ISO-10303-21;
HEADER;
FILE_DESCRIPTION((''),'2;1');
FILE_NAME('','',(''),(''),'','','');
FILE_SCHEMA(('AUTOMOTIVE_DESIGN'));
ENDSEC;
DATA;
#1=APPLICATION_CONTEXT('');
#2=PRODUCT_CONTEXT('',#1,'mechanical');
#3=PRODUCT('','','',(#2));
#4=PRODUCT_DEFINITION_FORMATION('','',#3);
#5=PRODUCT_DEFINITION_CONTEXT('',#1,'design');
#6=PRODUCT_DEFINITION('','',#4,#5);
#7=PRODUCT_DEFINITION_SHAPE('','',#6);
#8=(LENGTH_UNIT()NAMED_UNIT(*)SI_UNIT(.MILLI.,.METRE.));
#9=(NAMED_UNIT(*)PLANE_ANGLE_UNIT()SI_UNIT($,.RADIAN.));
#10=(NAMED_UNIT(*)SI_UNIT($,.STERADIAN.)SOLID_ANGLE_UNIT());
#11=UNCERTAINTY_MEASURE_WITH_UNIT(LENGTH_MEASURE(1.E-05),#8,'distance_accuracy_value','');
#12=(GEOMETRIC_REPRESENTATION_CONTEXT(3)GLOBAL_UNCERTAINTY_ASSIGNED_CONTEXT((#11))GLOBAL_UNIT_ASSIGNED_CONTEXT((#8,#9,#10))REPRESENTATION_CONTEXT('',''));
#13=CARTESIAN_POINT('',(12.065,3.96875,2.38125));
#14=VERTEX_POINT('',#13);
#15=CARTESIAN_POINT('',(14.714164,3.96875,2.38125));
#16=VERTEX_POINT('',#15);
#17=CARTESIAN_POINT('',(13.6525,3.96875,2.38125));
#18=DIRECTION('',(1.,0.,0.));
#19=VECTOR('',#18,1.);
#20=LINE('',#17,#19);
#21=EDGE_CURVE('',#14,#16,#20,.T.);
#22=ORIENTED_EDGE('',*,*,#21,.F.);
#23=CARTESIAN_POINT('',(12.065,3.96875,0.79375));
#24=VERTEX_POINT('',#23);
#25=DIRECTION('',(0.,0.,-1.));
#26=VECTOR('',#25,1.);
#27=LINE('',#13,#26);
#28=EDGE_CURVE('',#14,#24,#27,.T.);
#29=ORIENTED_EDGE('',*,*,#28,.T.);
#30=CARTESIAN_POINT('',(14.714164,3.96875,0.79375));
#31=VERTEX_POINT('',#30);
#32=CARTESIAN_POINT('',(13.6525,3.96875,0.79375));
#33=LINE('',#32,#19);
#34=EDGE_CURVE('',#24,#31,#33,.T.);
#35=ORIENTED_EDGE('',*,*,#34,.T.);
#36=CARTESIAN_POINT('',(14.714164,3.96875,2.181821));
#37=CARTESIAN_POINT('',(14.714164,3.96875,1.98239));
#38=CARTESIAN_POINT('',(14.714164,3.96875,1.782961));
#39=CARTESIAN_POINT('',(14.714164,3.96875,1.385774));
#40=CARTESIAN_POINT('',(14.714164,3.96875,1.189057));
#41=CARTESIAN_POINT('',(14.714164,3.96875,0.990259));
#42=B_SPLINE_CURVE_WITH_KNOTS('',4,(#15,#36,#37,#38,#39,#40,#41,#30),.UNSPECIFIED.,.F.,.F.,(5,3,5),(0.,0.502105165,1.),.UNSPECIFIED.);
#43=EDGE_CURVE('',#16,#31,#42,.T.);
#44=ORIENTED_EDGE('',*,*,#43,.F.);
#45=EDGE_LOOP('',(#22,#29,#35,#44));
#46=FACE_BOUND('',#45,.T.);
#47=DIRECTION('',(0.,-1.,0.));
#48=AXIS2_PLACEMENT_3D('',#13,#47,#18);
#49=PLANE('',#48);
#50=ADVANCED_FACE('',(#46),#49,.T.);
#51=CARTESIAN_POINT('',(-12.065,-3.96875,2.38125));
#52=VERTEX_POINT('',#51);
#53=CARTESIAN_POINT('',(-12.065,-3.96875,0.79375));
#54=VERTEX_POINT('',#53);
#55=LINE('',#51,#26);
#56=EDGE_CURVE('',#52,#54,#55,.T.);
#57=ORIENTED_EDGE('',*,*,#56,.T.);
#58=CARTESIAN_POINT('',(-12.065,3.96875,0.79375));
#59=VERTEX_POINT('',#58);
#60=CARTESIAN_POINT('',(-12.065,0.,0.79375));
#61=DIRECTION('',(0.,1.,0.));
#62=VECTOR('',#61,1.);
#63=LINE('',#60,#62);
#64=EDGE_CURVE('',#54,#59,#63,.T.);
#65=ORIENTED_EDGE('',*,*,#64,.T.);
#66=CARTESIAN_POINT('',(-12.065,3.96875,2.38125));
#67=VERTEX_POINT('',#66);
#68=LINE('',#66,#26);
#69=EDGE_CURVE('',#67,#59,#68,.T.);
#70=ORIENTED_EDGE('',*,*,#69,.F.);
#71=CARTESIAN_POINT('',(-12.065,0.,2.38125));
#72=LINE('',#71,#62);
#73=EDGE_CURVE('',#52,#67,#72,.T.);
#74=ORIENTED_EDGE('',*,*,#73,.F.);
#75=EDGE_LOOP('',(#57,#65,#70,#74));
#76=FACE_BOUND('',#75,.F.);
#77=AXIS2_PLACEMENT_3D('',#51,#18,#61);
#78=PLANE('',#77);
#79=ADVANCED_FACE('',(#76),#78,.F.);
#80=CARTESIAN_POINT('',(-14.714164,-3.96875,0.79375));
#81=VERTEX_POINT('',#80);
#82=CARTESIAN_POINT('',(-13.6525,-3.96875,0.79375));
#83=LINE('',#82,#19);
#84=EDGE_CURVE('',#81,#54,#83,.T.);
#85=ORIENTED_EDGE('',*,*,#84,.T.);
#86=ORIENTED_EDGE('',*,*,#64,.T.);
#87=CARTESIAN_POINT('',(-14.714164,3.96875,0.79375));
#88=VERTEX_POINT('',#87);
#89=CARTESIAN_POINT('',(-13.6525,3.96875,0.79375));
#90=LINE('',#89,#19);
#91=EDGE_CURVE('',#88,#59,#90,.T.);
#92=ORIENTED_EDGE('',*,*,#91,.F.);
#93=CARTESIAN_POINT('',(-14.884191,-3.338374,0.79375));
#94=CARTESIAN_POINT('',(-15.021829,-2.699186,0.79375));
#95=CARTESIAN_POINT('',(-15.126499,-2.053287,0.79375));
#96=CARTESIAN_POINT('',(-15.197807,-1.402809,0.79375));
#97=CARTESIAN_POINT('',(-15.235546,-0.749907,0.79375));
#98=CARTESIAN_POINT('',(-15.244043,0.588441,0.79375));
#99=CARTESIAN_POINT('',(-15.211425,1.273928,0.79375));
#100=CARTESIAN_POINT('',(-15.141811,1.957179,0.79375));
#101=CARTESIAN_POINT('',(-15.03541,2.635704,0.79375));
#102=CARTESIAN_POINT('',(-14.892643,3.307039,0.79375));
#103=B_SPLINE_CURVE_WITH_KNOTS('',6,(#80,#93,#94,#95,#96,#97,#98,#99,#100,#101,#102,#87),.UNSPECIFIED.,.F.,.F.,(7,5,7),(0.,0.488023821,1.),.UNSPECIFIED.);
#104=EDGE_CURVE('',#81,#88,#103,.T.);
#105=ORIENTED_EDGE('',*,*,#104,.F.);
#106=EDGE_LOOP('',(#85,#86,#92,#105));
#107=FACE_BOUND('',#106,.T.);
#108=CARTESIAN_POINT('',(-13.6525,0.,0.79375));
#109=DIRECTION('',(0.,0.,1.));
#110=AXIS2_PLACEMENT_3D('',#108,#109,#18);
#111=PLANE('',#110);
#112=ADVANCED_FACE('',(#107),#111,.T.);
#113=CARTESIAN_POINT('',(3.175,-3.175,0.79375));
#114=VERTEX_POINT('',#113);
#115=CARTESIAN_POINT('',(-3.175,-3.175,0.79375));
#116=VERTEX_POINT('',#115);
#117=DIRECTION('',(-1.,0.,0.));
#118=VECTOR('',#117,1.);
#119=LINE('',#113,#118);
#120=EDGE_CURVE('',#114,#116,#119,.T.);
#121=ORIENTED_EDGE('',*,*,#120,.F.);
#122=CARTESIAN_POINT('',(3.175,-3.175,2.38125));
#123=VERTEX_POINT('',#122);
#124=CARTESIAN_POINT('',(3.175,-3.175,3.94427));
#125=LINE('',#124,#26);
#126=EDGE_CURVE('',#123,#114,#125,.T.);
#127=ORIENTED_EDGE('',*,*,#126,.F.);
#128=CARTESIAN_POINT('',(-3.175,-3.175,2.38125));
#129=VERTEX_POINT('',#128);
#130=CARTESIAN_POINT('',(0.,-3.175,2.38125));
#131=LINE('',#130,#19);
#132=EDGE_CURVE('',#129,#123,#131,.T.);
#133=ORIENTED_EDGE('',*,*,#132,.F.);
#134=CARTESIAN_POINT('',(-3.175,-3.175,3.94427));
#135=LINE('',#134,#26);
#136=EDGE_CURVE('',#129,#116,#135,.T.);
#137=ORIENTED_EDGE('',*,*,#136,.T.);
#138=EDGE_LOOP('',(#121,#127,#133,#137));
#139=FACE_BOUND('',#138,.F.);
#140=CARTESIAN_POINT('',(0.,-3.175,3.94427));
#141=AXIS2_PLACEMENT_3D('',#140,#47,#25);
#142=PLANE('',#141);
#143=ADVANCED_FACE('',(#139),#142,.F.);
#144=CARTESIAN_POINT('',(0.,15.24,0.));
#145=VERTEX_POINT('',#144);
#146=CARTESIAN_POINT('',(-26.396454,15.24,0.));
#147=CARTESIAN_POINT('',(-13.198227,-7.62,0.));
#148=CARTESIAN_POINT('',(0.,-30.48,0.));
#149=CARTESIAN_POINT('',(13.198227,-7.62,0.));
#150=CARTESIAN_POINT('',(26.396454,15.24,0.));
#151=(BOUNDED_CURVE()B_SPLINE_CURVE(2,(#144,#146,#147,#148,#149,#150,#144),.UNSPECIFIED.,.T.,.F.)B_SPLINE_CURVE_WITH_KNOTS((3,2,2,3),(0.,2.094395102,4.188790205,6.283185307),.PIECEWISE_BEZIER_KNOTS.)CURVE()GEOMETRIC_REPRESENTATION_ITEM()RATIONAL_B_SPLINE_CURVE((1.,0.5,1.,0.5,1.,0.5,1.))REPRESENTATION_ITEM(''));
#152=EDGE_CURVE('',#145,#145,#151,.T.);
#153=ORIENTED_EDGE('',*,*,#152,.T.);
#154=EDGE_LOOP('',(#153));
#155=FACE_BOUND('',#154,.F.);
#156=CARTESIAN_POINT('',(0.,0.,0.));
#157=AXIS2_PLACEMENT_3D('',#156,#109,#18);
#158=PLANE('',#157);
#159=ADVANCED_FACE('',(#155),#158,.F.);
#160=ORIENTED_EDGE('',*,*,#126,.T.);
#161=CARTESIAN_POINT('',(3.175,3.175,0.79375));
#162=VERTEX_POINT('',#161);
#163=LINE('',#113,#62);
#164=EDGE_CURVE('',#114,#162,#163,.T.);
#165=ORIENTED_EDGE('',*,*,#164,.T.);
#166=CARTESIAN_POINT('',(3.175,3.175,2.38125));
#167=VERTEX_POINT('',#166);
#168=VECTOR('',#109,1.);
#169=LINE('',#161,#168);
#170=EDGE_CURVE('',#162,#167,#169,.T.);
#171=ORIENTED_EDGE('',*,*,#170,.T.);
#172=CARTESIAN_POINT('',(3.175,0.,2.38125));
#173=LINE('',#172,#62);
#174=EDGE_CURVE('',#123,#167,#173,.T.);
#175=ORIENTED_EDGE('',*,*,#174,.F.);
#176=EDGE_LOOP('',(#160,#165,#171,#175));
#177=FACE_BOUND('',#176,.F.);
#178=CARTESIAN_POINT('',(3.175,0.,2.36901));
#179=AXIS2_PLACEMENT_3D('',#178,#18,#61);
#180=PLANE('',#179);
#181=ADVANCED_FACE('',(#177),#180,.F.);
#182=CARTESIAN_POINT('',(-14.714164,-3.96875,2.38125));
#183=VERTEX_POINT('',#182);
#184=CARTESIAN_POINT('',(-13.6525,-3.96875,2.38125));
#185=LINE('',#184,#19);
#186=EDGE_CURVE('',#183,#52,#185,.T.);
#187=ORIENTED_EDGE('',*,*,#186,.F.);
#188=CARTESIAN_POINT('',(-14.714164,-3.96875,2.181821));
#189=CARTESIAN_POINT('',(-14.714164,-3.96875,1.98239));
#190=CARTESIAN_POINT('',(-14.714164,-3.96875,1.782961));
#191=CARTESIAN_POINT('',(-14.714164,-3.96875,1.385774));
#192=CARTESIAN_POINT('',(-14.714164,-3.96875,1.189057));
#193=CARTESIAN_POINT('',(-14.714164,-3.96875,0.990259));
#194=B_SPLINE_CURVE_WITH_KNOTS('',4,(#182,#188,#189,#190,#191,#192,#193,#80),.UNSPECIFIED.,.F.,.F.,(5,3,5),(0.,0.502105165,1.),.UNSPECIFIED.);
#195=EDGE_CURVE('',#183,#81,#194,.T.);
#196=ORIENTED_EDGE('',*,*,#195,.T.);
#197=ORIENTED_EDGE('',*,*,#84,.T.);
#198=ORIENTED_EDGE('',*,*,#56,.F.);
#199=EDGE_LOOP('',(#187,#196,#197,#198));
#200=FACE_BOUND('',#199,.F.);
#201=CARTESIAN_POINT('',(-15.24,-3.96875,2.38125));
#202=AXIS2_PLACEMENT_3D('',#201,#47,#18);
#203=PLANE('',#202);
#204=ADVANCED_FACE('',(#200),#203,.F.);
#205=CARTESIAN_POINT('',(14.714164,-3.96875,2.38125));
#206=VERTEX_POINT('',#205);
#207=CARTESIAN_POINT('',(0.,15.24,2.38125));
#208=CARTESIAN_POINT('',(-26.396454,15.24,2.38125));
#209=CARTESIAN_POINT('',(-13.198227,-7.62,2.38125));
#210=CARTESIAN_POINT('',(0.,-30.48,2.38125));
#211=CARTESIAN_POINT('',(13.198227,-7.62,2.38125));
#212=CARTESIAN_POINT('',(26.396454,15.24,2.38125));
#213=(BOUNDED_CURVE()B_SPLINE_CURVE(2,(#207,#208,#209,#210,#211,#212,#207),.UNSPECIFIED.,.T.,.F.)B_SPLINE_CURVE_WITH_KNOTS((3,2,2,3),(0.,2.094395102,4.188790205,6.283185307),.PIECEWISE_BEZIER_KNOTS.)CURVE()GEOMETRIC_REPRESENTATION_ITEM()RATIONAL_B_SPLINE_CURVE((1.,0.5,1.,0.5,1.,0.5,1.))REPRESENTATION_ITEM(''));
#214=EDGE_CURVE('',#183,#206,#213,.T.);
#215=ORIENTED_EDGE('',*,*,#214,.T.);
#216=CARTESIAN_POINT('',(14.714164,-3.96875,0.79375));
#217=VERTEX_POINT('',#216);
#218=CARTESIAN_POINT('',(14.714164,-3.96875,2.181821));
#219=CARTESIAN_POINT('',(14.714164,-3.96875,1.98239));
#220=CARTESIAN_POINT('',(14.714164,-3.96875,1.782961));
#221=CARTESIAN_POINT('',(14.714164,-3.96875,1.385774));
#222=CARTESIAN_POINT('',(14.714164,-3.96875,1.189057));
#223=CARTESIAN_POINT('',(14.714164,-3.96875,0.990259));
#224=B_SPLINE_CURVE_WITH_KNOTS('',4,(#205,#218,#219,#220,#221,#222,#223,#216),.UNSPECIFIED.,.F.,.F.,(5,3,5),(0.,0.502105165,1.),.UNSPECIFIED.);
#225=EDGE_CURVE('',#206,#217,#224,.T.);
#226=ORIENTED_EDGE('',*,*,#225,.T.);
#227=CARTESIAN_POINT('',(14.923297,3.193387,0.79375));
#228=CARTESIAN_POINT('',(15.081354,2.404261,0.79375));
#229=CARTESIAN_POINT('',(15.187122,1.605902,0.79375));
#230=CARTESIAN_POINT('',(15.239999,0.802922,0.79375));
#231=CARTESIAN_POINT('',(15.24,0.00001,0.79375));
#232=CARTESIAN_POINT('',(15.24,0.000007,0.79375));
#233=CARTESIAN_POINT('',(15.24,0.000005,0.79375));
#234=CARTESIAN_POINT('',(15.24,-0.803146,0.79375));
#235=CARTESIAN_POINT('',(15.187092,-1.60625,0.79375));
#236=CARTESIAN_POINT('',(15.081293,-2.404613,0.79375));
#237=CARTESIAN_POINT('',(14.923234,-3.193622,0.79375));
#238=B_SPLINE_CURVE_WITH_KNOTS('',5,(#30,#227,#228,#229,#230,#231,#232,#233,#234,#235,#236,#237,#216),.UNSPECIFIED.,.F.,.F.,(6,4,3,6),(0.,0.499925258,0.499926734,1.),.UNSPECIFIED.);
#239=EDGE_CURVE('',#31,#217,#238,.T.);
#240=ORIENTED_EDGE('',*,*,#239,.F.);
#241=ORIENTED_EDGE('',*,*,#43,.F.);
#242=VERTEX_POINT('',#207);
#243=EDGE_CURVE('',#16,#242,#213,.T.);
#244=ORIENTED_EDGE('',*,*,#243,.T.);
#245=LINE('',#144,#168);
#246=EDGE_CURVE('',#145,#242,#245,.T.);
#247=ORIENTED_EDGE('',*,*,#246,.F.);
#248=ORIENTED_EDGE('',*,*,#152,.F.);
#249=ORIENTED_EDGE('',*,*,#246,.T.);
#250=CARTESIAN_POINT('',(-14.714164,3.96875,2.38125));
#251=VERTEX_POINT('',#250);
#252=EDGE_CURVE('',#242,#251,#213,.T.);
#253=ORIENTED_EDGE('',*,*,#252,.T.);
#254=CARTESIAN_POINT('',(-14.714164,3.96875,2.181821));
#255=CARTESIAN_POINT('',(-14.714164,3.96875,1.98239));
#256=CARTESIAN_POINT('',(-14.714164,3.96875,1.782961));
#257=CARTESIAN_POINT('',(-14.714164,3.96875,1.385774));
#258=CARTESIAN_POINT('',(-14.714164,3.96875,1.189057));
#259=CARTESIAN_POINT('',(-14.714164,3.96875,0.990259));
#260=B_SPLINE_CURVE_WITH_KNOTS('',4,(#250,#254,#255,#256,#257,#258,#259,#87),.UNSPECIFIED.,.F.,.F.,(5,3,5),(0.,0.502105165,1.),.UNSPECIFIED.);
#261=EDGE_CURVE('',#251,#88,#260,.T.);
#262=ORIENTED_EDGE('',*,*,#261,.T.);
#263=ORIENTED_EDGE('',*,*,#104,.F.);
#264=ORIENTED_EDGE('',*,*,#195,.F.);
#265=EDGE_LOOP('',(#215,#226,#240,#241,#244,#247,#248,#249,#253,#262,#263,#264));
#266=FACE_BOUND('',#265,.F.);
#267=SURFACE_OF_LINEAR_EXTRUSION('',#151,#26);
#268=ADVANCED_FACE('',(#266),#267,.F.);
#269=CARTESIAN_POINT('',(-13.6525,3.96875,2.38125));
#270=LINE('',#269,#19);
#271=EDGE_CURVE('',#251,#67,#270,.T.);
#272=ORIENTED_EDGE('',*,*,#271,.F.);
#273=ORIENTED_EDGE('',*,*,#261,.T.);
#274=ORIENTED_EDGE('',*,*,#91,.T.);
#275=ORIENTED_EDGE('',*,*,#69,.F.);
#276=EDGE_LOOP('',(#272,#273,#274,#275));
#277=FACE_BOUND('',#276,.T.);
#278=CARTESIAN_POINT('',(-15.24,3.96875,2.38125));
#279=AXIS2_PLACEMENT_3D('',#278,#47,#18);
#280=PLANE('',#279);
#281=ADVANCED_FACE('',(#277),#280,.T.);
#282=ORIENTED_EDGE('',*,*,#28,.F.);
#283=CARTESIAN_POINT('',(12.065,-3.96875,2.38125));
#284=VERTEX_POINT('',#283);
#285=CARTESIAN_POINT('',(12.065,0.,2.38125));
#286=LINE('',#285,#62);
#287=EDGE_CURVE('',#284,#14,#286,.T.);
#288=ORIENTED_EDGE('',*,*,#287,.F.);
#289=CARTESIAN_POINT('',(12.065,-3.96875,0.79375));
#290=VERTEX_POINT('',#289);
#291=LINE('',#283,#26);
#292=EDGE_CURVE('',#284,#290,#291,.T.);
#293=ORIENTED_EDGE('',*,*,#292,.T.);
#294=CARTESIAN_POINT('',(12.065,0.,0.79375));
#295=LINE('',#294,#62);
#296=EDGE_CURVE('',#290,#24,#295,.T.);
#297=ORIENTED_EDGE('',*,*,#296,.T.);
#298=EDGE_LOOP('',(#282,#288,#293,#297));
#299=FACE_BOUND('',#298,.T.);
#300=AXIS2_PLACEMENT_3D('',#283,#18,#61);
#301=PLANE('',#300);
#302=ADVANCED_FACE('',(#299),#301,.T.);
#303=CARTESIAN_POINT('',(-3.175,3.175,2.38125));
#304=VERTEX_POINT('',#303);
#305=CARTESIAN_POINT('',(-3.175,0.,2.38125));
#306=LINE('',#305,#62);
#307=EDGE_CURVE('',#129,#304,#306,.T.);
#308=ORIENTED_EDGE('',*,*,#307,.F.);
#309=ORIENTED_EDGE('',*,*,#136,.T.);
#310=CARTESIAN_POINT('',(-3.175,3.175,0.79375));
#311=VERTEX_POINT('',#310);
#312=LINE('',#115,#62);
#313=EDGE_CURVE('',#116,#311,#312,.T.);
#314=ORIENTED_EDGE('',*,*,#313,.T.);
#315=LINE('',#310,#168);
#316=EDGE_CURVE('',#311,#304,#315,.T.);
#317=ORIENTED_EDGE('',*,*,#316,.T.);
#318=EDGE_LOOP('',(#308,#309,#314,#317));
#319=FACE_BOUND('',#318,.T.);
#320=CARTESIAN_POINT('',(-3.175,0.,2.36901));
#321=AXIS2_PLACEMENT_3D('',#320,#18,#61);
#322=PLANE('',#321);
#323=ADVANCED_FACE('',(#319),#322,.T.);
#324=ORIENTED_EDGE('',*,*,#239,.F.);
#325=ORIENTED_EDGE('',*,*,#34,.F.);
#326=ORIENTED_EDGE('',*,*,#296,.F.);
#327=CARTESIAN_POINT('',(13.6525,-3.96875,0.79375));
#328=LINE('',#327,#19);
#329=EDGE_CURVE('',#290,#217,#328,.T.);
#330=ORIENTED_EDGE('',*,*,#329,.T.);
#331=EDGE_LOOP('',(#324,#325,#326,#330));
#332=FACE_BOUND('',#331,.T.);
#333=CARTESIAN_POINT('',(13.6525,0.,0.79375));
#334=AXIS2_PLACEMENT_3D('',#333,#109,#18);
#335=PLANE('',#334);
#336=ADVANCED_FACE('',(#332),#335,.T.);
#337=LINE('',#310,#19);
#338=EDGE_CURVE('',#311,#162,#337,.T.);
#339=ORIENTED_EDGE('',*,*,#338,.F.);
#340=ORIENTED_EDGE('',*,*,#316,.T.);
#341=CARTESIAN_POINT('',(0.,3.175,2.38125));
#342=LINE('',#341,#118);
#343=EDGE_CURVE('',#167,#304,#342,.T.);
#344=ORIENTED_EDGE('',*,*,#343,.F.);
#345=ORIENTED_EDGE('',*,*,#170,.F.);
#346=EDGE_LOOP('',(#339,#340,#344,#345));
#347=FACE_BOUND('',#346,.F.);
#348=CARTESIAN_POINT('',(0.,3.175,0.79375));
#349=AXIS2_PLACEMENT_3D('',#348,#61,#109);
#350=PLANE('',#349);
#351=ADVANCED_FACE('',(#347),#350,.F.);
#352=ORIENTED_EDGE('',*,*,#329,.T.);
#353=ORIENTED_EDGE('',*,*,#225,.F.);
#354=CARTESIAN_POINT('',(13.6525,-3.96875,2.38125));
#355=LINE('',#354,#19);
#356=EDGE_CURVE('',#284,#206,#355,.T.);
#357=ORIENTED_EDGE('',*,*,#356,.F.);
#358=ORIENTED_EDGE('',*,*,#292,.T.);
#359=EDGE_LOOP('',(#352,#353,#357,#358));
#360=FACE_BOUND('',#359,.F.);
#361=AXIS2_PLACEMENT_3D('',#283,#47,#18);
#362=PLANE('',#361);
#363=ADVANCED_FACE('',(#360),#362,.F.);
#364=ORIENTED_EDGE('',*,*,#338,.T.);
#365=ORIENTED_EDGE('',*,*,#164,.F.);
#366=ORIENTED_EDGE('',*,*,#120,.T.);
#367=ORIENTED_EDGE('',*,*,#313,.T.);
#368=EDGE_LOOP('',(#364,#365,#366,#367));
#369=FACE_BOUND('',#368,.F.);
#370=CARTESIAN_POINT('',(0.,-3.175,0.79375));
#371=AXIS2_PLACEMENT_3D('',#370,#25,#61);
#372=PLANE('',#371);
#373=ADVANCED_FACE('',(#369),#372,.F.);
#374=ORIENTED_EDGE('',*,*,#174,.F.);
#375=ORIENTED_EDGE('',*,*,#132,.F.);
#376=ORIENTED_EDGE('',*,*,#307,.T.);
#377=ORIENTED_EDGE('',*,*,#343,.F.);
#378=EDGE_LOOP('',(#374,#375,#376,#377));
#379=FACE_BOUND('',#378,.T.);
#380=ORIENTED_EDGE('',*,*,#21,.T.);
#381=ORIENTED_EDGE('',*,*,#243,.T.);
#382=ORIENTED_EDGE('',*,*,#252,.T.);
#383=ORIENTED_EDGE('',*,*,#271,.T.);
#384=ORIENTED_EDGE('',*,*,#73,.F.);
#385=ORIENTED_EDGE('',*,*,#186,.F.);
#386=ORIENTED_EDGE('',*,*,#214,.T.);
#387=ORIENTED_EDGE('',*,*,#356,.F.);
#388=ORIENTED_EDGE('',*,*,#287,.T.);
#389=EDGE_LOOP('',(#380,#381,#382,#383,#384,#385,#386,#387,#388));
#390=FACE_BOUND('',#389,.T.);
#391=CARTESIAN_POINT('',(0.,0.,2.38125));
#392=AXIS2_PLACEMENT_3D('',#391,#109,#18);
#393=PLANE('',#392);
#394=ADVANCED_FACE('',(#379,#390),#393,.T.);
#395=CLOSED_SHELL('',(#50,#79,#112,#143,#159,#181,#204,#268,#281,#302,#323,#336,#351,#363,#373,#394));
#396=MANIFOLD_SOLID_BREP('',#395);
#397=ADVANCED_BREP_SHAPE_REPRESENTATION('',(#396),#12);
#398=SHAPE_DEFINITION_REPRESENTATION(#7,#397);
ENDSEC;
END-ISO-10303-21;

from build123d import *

# Parameters (mm, degrees)
F1_DEPTH = 2.38125
F3_DEPTH = 3.175
F4_W     = 3.175
F4_H     = 7.9375
F5_DEPTH = 1.5875


with BuildPart() as f1:
    # F0 (on Top) → F1 (new body)
    with BuildSketch(Plane.XY):
        with BuildLine():
            add(Edge.make_bspline(
                [(0, 15.24), (-26.3964543073, 15.24), (-13.1982271537, -7.62), (0, -30.48), (13.1982271537, -7.62), (26.3964543073, 15.24), (0, 15.24)],
                knots=[0, 0, 0, 2.0943951024, 2.0943951024, 4.1887902048, 4.1887902048, 6.2831853072, 6.2831853072, 6.2831853072], degree=2, weights=[1, 0.5, 1, 0.5, 1, 0.5, 1]))
        make_face()
    extrude(amount=F1_DEPTH)

    # F2 (on Right) → F3 (cut, symmetric)
    with BuildSketch(Plane.YZ):
        Polygon((-3.175, 0.79375), (0, 0.79375), (3.175, 0.79375), (3.175, 3.9442702307), (-3.175, 3.9442702307), align=None)
    extrude(amount=F3_DEPTH, both=True, mode=Mode.SUBTRACT)

    # F4 (on face) → F5 (cut)
    with BuildSketch(Plane.XY.offset(2.38125)):
        with Locations((-13.6525, 0)):
            Rectangle(F4_W, F4_H)
        with Locations((13.6525, 0)):
            Rectangle(F4_W, F4_H)
    extrude(amount=-F5_DEPTH, mode=Mode.SUBTRACT)


solid = f1.part
